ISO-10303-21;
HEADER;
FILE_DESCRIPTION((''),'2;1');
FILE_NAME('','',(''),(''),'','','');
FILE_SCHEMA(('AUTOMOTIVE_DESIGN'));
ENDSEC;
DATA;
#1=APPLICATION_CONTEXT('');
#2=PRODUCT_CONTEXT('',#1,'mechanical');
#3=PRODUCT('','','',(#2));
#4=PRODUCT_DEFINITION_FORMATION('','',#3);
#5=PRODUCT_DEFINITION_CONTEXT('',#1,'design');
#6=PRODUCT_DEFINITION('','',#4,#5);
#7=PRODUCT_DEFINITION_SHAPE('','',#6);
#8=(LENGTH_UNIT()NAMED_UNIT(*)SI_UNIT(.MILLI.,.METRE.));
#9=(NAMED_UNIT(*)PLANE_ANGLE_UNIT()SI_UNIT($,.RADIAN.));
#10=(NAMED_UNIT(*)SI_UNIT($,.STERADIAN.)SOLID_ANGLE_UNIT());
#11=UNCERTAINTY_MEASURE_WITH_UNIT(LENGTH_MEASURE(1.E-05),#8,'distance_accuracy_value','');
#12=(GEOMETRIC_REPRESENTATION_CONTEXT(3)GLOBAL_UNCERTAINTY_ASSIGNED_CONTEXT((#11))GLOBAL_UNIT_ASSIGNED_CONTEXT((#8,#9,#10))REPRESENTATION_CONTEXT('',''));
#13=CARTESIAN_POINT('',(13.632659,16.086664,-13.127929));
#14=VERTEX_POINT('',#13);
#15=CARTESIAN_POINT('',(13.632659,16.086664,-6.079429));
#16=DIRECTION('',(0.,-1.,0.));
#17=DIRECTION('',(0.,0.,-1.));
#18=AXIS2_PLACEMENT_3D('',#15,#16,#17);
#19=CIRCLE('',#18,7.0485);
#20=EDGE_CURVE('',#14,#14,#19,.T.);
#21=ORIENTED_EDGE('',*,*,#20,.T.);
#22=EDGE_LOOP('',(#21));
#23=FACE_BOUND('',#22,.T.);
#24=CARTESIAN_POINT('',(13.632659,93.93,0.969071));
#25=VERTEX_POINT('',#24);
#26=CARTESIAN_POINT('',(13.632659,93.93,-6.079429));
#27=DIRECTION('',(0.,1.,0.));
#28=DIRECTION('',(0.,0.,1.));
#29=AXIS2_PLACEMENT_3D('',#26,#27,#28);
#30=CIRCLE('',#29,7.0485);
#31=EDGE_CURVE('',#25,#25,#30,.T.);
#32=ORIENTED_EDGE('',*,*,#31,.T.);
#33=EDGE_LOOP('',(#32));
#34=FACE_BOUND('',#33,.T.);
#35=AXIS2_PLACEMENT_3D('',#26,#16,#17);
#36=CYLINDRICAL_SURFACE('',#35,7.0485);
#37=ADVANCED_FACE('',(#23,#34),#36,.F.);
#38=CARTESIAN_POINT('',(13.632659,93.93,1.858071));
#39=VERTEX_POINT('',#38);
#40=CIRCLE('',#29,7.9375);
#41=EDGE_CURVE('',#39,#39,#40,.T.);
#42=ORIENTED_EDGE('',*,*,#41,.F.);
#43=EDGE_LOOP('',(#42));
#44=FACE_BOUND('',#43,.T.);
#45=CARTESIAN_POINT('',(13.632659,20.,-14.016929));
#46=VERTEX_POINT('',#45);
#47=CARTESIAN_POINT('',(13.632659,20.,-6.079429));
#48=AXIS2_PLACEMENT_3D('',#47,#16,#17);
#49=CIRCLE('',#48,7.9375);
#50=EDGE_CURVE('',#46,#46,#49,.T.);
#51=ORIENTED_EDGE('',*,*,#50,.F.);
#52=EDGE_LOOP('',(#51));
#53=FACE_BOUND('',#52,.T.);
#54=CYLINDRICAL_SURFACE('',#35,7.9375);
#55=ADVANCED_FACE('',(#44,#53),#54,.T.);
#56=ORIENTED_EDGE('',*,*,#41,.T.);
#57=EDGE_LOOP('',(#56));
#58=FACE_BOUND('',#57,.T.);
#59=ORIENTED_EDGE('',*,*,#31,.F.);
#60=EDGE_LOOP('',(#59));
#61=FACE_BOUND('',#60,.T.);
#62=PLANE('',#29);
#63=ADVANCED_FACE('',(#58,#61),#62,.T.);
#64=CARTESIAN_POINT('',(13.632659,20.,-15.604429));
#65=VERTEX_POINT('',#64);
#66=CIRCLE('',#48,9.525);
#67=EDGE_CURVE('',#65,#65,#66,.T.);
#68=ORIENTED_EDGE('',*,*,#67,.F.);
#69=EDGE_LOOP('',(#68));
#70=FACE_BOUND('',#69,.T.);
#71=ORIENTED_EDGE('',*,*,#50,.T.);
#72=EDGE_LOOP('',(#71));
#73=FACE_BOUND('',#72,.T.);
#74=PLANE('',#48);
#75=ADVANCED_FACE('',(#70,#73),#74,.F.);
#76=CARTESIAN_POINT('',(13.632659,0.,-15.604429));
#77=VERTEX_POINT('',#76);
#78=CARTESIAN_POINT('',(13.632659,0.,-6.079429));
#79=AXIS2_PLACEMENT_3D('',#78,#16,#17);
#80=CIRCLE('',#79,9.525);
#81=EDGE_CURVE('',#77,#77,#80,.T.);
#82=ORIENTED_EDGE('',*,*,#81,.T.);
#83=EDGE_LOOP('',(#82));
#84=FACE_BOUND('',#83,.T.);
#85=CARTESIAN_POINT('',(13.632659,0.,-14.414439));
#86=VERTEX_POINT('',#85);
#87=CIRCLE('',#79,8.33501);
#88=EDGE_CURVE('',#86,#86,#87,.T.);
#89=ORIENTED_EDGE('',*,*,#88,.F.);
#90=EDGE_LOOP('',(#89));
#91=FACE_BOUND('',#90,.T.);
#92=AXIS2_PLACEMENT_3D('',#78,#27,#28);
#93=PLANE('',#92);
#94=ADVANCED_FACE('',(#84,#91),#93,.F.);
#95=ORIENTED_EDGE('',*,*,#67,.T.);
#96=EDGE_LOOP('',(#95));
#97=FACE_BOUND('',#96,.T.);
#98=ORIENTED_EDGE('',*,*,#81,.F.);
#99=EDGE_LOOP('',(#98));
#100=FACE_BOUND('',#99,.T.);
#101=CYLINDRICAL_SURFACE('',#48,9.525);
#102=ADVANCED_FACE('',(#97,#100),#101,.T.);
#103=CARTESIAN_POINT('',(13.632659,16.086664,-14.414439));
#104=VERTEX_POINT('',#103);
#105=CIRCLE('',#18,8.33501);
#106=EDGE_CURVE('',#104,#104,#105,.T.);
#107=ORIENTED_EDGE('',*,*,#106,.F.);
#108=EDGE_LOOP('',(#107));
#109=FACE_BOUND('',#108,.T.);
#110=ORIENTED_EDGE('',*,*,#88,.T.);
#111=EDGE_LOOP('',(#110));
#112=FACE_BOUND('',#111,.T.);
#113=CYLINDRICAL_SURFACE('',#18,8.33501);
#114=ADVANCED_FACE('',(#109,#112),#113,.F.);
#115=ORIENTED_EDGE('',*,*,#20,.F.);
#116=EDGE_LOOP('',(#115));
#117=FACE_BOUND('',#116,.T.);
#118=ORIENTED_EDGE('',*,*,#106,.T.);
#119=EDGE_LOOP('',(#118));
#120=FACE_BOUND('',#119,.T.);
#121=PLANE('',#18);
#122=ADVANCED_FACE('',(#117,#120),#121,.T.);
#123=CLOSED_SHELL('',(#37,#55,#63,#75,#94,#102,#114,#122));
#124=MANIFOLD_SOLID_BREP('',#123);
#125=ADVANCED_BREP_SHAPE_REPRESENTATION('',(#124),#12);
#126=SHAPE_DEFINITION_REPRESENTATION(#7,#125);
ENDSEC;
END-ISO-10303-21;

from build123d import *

# Parameters (mm, degrees)
SKETCH1_R           = 7.9375
SKETCH1_R_2         = 7.0485
BOSS_EXTRUDE1_DEPTH = 93.93
SKETCH2_R           = 9.525
SKETCH2_R_2         = 7.9375
BOSS_EXTRUDE2_DEPTH = 20
SKETCH3_R           = 8.33501
CUT_EXTRUDE1_DEPTH  = 16.086664195


with BuildPart() as part:
    # Sketch1 → Boss-Extrude1 (new body)
    with BuildSketch(Plane(origin=(0, 0, 0), x_dir=(1, 0, 0), z_dir=(0, 1, 0))):
        with Locations(Location((13.632659162, 6.079429086, 0), (0, 0, 270))):
            Circle(SKETCH1_R)
        with Locations(Location((13.632659162, 6.079429086, 0), (0, 0, 270))):
            Circle(SKETCH1_R_2, mode=Mode.SUBTRACT)
    extrude(amount=BOSS_EXTRUDE1_DEPTH)

    # Sketch2 → Boss-Extrude2 (add)
    with BuildSketch(Plane.XZ):
        with Locations(Location((13.632659162, -6.079429086, 0), (0, 0, 270))):
            Circle(SKETCH2_R)
        with Locations(Location((13.632659162, -6.079429086, 0), (0, 0, 270))):
            Circle(SKETCH2_R_2, mode=Mode.SUBTRACT)
    extrude(amount=-BOSS_EXTRUDE2_DEPTH)

    # Sketch3 → Cut-Extrude1 (cut)
    with BuildSketch(Plane.XZ):
        with Locations(Location((13.632659162, -6.079429086, 0), (0, 0, 270))):
            Circle(SKETCH3_R)
    extrude(amount=-CUT_EXTRUDE1_DEPTH, mode=Mode.SUBTRACT)


solid = part.part
